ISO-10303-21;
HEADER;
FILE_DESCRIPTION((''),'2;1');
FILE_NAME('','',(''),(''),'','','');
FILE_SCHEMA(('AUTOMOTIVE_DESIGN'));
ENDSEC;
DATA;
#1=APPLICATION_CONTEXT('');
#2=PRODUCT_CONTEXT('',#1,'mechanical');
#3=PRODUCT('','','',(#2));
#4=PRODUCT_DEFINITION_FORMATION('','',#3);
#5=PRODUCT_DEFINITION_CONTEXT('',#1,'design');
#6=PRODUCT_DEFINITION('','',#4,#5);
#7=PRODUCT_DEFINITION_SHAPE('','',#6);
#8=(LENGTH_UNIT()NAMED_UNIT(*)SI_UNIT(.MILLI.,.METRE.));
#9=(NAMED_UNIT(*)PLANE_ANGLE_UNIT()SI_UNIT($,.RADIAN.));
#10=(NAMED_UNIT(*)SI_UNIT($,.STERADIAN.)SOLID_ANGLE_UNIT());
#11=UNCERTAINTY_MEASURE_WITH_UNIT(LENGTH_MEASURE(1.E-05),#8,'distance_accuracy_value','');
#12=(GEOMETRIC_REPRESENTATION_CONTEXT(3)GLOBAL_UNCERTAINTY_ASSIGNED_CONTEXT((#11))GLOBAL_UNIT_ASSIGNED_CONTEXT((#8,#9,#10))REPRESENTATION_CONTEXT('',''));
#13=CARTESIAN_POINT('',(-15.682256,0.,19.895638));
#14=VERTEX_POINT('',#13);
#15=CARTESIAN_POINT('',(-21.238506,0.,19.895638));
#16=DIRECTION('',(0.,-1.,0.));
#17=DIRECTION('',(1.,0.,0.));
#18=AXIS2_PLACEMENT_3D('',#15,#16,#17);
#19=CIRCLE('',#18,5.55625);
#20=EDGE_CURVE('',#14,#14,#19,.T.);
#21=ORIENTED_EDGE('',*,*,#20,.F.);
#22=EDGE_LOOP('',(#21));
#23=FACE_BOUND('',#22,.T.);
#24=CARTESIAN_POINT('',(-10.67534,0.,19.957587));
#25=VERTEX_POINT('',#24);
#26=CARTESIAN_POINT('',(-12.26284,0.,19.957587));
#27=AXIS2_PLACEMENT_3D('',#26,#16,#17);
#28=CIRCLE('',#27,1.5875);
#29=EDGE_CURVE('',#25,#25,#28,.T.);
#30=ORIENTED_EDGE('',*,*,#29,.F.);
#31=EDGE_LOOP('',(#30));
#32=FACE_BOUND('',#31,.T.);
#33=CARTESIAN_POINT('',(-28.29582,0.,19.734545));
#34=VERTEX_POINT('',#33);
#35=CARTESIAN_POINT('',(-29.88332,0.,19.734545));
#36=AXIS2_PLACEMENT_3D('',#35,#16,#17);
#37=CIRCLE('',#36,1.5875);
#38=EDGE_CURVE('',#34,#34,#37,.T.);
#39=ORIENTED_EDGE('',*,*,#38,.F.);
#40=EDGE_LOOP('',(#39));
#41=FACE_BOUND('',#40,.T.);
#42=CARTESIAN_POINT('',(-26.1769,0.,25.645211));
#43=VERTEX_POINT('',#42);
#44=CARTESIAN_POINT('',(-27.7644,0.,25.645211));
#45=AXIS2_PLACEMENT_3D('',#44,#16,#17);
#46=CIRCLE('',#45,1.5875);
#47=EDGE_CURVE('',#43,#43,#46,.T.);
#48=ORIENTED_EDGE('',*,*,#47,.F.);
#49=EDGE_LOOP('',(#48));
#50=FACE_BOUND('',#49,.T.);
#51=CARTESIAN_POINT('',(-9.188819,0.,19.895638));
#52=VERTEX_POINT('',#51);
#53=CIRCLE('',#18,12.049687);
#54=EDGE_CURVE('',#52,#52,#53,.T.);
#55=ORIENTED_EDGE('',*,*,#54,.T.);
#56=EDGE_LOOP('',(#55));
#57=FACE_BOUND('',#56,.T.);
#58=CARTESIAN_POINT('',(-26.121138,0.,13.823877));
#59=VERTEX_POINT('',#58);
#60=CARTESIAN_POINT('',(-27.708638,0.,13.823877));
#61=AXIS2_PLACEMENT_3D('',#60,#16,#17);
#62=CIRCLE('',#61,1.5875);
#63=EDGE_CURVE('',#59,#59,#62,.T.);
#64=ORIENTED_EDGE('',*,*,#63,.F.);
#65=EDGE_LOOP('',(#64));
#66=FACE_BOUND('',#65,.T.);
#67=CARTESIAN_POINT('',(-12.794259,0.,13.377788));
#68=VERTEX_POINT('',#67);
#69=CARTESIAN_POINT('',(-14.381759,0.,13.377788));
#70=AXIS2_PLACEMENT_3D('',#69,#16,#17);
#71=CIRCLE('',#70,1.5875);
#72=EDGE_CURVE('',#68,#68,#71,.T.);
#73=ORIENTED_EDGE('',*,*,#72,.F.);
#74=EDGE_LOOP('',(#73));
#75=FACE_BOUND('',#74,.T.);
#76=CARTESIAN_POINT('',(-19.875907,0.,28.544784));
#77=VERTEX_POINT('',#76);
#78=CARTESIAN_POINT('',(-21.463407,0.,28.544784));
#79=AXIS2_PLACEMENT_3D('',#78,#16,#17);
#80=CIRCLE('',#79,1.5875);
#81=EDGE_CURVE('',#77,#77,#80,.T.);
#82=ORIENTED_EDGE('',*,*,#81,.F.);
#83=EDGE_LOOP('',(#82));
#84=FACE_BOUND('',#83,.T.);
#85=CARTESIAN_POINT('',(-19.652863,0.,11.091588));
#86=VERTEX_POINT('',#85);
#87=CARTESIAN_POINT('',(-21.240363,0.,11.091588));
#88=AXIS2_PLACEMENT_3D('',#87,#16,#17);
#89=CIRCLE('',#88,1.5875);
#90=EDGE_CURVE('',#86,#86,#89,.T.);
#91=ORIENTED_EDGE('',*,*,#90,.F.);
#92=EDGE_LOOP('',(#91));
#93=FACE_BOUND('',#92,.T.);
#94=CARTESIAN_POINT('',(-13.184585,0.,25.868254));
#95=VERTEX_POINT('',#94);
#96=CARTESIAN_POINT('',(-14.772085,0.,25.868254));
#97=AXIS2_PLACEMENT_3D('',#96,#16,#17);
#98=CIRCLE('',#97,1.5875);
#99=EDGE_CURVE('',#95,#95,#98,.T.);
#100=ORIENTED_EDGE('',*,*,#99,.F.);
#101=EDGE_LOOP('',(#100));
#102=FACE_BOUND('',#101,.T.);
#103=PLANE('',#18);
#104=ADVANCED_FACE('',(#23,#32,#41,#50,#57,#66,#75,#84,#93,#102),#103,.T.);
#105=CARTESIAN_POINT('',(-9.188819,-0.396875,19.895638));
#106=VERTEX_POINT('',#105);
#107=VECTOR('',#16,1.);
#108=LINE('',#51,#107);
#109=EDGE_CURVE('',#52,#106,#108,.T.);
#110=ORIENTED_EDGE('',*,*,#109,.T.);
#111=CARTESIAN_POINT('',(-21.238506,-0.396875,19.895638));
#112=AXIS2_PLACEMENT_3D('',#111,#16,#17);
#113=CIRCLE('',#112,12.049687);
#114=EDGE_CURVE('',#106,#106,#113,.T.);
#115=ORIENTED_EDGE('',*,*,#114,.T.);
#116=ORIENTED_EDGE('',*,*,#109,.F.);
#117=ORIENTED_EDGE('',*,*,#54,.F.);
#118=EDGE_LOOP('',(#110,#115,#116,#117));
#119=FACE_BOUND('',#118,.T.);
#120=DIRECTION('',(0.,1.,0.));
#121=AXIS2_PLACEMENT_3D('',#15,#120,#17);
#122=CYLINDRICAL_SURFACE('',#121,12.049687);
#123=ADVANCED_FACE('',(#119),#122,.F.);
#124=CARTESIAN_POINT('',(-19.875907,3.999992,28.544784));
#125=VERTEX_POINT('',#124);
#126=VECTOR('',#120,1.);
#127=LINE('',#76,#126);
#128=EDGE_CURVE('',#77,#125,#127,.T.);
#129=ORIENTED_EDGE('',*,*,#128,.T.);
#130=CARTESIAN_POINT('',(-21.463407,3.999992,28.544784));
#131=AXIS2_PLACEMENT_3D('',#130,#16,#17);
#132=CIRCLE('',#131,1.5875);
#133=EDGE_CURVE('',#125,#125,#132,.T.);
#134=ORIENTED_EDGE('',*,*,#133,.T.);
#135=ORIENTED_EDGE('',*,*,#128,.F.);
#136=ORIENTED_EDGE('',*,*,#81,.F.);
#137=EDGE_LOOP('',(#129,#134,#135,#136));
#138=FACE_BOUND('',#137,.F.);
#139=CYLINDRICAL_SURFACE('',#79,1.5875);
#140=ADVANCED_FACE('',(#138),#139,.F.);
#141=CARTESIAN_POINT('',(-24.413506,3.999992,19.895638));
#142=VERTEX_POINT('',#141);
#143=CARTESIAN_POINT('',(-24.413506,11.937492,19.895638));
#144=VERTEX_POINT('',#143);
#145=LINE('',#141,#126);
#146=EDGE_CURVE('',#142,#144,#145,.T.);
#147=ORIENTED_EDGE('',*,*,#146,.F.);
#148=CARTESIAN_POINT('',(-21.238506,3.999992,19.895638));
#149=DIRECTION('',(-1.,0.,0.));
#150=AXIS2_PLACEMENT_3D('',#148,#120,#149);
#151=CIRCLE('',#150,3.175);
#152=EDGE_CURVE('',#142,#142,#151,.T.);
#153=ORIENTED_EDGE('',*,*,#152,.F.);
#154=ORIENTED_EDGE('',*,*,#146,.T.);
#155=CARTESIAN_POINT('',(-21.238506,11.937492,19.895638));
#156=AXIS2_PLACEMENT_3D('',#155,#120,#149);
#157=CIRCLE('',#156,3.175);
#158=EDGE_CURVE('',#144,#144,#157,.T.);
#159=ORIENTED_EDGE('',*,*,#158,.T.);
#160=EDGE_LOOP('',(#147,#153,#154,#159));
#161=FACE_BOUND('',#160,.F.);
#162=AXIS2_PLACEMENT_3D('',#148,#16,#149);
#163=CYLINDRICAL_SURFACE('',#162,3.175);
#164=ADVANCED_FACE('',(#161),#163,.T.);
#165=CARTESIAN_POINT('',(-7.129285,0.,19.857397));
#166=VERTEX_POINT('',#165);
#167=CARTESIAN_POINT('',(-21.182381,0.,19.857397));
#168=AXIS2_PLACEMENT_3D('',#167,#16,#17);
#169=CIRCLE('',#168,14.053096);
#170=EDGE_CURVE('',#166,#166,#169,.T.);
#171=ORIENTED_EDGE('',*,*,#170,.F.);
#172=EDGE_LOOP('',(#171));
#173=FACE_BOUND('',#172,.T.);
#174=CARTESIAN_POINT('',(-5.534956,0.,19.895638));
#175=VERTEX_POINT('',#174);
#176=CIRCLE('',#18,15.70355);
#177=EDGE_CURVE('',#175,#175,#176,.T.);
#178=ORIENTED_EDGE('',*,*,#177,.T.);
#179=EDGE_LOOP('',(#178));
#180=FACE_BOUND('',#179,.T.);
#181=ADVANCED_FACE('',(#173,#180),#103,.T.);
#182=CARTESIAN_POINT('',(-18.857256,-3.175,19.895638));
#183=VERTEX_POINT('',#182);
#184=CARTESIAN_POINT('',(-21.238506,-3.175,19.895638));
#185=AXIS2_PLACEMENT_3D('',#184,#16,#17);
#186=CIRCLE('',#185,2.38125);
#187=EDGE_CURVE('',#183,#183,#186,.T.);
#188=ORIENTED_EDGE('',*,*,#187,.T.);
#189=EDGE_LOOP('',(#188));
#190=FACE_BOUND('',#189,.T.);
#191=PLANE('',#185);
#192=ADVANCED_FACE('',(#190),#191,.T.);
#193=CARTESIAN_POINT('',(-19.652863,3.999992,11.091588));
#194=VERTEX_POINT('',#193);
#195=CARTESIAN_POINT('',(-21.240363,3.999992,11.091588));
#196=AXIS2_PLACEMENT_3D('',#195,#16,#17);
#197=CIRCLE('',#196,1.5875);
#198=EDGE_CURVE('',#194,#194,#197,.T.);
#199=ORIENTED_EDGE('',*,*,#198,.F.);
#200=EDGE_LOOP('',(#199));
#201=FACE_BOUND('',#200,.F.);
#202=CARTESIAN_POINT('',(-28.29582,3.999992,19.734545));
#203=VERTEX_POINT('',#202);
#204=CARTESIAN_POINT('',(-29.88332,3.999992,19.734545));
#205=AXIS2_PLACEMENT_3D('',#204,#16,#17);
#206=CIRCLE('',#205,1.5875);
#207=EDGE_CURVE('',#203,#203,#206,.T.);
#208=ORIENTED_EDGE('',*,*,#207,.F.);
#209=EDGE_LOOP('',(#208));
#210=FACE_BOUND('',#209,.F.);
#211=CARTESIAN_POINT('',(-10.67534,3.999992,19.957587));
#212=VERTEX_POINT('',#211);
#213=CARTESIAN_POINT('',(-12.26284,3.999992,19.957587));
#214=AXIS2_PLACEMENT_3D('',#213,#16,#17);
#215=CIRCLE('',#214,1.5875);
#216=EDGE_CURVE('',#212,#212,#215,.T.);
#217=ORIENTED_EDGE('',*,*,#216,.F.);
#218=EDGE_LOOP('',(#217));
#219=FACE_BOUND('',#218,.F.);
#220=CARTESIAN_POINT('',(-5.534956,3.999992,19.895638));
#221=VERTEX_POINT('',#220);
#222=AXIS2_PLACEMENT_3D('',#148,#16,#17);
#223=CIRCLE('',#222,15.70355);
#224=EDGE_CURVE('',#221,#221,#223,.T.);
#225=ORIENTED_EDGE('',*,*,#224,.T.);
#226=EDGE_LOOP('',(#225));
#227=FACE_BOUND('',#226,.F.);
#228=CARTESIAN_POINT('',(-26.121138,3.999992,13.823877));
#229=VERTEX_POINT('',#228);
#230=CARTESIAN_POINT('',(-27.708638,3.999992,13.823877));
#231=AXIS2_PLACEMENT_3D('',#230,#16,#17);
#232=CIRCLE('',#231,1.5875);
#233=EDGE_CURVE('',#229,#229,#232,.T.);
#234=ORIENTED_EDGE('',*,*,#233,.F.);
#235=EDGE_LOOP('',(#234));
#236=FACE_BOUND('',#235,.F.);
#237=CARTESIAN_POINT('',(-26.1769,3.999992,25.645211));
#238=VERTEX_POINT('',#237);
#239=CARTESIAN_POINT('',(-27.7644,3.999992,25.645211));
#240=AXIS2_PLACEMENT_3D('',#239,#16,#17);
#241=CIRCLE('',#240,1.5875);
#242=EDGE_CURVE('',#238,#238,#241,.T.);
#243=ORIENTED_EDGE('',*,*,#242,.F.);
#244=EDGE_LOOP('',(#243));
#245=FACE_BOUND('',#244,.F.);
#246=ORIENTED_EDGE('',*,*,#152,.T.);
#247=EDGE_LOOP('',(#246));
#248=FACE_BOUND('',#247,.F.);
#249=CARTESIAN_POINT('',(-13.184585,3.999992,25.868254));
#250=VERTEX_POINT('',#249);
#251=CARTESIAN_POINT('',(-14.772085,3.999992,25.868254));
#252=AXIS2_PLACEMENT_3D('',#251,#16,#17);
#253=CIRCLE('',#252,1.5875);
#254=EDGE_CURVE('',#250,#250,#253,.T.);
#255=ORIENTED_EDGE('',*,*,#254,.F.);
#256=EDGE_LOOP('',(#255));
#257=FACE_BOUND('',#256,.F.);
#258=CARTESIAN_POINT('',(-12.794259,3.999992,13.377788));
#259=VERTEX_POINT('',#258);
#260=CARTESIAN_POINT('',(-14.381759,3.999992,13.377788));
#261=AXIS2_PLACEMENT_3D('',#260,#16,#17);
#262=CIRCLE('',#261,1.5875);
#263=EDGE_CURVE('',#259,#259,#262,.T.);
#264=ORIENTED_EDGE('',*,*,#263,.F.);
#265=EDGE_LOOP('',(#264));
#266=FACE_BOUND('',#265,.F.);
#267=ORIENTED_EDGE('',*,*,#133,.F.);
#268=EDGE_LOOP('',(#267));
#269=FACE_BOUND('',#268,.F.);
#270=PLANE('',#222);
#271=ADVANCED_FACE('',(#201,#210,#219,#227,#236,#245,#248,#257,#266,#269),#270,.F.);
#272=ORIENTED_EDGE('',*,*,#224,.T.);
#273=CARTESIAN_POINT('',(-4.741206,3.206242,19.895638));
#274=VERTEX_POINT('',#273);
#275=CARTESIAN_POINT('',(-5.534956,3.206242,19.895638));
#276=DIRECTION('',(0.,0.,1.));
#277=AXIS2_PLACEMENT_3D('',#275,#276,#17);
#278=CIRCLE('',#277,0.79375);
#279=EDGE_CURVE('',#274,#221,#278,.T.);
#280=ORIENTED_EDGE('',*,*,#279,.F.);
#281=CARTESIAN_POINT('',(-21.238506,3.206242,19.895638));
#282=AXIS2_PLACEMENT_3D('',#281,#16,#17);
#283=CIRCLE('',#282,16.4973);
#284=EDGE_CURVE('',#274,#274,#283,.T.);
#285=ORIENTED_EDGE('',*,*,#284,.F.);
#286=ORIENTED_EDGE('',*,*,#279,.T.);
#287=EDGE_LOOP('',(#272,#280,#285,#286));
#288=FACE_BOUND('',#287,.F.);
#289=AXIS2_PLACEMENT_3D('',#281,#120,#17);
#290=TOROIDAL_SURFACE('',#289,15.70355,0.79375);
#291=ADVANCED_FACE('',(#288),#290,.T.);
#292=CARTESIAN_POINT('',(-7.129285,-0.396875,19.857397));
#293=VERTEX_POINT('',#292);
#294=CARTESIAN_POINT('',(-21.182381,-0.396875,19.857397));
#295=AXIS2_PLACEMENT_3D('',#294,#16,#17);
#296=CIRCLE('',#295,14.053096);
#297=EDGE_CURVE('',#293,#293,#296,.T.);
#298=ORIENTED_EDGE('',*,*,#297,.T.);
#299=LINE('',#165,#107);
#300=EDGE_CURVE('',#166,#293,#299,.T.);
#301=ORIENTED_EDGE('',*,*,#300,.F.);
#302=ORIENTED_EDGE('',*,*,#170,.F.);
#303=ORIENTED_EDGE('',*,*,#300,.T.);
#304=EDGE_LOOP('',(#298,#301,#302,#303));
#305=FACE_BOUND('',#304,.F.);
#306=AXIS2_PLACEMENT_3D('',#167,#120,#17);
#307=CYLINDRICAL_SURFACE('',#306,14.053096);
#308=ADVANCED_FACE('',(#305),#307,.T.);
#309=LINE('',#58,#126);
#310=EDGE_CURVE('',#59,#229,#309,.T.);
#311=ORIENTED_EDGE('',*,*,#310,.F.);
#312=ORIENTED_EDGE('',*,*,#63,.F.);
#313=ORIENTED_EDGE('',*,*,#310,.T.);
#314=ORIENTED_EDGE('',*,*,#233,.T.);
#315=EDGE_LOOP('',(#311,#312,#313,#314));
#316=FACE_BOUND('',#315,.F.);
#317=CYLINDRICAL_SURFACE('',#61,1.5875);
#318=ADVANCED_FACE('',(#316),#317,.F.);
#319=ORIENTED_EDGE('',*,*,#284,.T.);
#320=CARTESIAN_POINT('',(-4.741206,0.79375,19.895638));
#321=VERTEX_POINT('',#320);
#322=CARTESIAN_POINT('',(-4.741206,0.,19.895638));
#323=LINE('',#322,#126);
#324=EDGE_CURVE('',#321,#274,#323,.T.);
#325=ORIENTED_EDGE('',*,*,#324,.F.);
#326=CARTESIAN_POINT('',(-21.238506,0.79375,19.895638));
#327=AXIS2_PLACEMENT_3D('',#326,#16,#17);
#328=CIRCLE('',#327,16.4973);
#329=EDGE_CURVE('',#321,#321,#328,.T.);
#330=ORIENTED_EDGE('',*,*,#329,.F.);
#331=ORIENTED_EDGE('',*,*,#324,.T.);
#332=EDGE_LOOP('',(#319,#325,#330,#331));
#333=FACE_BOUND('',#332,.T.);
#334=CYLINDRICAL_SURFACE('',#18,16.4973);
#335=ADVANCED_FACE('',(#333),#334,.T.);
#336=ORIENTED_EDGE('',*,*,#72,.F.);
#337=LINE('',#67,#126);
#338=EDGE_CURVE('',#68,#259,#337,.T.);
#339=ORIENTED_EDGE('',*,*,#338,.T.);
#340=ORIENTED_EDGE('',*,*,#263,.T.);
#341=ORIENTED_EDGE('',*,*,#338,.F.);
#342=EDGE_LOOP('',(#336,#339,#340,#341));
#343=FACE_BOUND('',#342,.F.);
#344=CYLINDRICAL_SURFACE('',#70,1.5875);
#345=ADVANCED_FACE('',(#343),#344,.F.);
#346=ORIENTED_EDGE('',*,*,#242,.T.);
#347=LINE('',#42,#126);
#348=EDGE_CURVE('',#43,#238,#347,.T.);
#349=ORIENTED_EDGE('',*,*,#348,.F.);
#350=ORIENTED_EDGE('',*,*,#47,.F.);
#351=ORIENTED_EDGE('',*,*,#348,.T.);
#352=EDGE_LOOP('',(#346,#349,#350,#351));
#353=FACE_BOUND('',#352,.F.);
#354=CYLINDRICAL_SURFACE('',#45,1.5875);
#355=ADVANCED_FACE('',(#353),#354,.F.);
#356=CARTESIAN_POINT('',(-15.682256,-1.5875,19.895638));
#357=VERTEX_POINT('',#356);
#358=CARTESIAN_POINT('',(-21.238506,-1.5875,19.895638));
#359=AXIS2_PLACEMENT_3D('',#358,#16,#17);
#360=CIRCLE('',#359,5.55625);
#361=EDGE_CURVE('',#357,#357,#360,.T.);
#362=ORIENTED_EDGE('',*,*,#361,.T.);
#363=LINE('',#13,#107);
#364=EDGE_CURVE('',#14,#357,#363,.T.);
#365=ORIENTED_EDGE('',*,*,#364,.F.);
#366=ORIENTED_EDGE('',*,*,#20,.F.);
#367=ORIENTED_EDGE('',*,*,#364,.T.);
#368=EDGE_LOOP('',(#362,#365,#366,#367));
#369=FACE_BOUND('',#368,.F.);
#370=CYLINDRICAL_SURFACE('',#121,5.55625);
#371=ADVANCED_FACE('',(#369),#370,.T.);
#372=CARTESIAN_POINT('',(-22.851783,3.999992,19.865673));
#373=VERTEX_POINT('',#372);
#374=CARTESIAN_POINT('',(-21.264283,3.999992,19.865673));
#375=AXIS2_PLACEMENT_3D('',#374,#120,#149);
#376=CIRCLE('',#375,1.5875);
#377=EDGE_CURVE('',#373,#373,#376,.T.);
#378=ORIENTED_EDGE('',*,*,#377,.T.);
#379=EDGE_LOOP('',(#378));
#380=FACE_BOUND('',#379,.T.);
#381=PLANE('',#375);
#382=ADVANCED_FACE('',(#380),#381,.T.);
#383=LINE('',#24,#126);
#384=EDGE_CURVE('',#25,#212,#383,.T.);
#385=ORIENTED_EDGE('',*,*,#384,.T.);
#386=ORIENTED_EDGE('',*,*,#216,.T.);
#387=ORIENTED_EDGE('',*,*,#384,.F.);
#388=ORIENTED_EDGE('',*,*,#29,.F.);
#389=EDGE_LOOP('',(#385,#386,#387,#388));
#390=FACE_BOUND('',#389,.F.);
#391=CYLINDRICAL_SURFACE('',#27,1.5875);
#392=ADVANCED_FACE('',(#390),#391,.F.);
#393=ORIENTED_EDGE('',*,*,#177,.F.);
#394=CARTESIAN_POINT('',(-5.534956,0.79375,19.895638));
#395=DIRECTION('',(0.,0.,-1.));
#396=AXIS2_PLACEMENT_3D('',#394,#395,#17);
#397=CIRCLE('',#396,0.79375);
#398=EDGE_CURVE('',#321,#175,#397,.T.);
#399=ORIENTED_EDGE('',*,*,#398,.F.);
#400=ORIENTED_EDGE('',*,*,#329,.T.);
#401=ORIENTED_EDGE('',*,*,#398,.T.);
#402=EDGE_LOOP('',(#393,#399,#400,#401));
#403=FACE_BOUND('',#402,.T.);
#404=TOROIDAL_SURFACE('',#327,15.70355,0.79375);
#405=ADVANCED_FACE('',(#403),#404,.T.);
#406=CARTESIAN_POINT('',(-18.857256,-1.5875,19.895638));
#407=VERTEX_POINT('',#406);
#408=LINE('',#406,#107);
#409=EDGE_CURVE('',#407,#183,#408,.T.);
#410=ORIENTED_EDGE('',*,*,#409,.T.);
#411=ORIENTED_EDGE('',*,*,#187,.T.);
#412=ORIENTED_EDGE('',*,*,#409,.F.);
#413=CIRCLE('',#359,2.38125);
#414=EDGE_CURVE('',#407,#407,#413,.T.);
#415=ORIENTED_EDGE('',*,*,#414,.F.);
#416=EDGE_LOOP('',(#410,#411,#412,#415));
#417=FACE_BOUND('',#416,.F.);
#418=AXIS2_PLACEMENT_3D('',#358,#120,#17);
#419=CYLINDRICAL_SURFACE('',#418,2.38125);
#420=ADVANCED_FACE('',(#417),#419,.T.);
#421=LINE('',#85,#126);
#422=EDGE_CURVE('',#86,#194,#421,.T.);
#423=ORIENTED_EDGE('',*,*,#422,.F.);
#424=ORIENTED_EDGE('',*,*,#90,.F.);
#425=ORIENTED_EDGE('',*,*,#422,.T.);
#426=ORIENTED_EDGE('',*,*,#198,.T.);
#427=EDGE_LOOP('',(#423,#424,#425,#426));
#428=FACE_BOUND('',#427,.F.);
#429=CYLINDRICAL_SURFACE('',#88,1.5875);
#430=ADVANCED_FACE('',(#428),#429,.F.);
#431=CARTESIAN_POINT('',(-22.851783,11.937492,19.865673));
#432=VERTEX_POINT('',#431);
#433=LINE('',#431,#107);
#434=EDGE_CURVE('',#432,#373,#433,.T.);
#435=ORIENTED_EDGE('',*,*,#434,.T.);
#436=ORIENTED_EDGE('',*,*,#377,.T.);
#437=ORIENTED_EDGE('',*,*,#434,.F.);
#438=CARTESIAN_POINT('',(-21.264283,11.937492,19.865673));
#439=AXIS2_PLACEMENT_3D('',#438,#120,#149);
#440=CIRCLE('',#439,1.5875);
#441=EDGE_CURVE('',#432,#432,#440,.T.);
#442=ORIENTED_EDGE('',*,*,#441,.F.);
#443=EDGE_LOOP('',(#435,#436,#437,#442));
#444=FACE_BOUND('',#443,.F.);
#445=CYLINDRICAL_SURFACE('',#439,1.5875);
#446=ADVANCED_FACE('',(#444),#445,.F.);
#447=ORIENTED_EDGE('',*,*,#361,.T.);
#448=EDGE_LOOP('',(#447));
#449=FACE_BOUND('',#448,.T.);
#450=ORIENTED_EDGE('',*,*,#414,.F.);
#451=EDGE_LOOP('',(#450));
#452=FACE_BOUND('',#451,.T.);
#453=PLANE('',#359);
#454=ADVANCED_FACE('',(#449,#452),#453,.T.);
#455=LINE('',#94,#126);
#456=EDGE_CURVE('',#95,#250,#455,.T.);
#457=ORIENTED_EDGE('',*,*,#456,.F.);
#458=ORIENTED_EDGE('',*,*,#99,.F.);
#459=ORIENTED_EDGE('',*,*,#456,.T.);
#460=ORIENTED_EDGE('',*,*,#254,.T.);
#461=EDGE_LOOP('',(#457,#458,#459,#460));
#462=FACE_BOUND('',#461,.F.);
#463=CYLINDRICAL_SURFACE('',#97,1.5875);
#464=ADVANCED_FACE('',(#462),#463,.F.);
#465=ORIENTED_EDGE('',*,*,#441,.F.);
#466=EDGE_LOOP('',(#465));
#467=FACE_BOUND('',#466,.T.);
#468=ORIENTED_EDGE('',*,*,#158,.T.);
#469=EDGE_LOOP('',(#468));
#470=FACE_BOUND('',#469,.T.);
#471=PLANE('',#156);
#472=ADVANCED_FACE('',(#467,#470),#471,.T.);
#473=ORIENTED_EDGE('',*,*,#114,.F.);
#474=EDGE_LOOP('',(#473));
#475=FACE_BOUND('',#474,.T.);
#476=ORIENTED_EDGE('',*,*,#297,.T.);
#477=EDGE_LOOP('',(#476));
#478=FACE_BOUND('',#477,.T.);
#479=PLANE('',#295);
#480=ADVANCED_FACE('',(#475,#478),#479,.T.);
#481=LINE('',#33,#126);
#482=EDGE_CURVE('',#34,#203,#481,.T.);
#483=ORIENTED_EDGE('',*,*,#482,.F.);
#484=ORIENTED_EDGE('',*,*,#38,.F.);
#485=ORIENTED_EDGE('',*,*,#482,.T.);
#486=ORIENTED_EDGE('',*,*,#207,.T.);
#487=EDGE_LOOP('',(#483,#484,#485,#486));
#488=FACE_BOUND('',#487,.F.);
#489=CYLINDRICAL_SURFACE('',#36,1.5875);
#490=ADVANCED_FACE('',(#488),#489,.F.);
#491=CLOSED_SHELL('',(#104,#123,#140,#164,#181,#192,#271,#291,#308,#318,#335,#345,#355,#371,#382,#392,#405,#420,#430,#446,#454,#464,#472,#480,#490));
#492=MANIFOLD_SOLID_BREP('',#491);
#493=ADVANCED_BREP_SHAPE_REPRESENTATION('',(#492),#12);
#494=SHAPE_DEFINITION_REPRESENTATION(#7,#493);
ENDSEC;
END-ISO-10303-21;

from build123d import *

# Parameters (mm, degrees)
F0_R      = 16.4973
F1_DEPTH  = 3.999992
F2_R      = 0.79375
F3_R      = 1.5875
F4_DEPTH  = 13.208
F5_R      = 1.5875
F6_DEPTH  = 12.7
F7_R      = 1.5875
F8_DEPTH  = 25.4
F9_R      = 1.5875
F10_DEPTH = 25.4
F11_R     = 1.5875
F12_DEPTH = 25.4
F13_R     = 1.5875
F14_DEPTH = 25.4
F15_R     = 1.5875
F16_DEPTH = 25.4
F17_R     = 1.5875
F18_DEPTH = 25.4
F19_R     = 5.55625
F20_DEPTH = 1.5875
F21_R     = 2.38125
F22_DEPTH = 1.5875
F24_R     = 14.053096
F24_R_2   = 12.049687
F25_DEPTH = 0.396875
F26_R     = 3.175
F27_DEPTH = 7.9375
F29_R     = 1.5875
F30_DEPTH = 7.9375


with BuildPart() as f1:
    # F0 (on Front) → F1 (new body)
    with BuildSketch(Plane.XZ):
        with Locations((-21.238506, 19.895638)):
            Circle(F0_R)
    extrude(amount=-F1_DEPTH)

    # F2
    f2_edges = [f1.edges().sort_by_distance(p)[0] for p in [
        (-37.735806, 0, 19.895638),
        (-37.735806, 3.999992, 19.895638),
    ]]
    fillet(f2_edges, radius=F2_R)

    # F3 (on face) → F4 (cut)
    with BuildSketch(Plane.XZ):
        with Locations((-21.463407, 28.544784)):
            Circle(F3_R)
    extrude(amount=-F4_DEPTH, mode=Mode.SUBTRACT)

    # F5 (on face) → F6 (cut)
    with BuildSketch(Plane.XZ):
        with Locations((-21.240363, 11.091588)):
            Circle(F5_R)
    extrude(amount=-F6_DEPTH, mode=Mode.SUBTRACT)

    # F7 (on face) → F8 (cut)
    with BuildSketch(Plane.XZ):
        with Locations((-29.88332, 19.734545)):
            Circle(F7_R)
    extrude(amount=-F8_DEPTH, mode=Mode.SUBTRACT)

    # F9 (on face) → F10 (cut)
    with BuildSketch(Plane.XZ):
        with Locations((-12.26284, 19.957587)):
            Circle(F9_R)
    extrude(amount=-F10_DEPTH, mode=Mode.SUBTRACT)

    # F11 (on face) → F12 (cut)
    with BuildSketch(Plane.XZ):
        with Locations((-27.7644, 25.645211)):
            Circle(F11_R)
    extrude(amount=-F12_DEPTH, mode=Mode.SUBTRACT)

    # F13 (on face) → F14 (cut)
    with BuildSketch(Plane.XZ):
        with Locations((-14.772085, 25.868254)):
            Circle(F13_R)
    extrude(amount=-F14_DEPTH, mode=Mode.SUBTRACT)

    # F15 (on face) → F16 (cut)
    with BuildSketch(Plane.XZ):
        with Locations((-27.708638, 13.823877)):
            Circle(F15_R)
    extrude(amount=-F16_DEPTH, mode=Mode.SUBTRACT)

    # F17 (on face) → F18 (cut)
    with BuildSketch(Plane.XZ):
        with Locations((-14.381759, 13.377788)):
            Circle(F17_R)
    extrude(amount=-F18_DEPTH, mode=Mode.SUBTRACT)

    # F19 (on face) → F20 (join)
    with BuildSketch(Plane.XZ):
        with Locations((-21.238506, 19.895638)):
            Circle(F19_R)
    extrude(amount=F20_DEPTH)

    # F21 (on face) → F22 (join)
    with BuildSketch(Plane.XZ.offset(1.5875)):
        with Locations((-21.238506, 19.895638)):
            Circle(F21_R)
    extrude(amount=F22_DEPTH)

    # F24 (on face) → F25 (join)
    with BuildSketch(Plane.XZ):
        with Locations((-21.182381, 19.857397)):
            Circle(F24_R)
        with Locations((-21.238506, 19.895638)):
            Circle(F24_R_2, mode=Mode.SUBTRACT)
    extrude(amount=F25_DEPTH)

    # F26 (on face) → F27 (join)
    with BuildSketch(Plane(origin=(0, 3.999992, 0), x_dir=(-1, 0, 0), z_dir=(0, 1, 0))):
        with Locations((21.238506, 19.895638)):
            Circle(F26_R)
    extrude(amount=F27_DEPTH)

    # F29 (on face) → F30 (cut)
    with BuildSketch(Plane(origin=(0, 11.937492, 0), x_dir=(-1, 0, 0), z_dir=(0, 1, 0))):
        with Locations((21.264283, 19.865673)):
            Circle(F29_R)
    extrude(amount=-F30_DEPTH, mode=Mode.SUBTRACT)


solid = f1.part
